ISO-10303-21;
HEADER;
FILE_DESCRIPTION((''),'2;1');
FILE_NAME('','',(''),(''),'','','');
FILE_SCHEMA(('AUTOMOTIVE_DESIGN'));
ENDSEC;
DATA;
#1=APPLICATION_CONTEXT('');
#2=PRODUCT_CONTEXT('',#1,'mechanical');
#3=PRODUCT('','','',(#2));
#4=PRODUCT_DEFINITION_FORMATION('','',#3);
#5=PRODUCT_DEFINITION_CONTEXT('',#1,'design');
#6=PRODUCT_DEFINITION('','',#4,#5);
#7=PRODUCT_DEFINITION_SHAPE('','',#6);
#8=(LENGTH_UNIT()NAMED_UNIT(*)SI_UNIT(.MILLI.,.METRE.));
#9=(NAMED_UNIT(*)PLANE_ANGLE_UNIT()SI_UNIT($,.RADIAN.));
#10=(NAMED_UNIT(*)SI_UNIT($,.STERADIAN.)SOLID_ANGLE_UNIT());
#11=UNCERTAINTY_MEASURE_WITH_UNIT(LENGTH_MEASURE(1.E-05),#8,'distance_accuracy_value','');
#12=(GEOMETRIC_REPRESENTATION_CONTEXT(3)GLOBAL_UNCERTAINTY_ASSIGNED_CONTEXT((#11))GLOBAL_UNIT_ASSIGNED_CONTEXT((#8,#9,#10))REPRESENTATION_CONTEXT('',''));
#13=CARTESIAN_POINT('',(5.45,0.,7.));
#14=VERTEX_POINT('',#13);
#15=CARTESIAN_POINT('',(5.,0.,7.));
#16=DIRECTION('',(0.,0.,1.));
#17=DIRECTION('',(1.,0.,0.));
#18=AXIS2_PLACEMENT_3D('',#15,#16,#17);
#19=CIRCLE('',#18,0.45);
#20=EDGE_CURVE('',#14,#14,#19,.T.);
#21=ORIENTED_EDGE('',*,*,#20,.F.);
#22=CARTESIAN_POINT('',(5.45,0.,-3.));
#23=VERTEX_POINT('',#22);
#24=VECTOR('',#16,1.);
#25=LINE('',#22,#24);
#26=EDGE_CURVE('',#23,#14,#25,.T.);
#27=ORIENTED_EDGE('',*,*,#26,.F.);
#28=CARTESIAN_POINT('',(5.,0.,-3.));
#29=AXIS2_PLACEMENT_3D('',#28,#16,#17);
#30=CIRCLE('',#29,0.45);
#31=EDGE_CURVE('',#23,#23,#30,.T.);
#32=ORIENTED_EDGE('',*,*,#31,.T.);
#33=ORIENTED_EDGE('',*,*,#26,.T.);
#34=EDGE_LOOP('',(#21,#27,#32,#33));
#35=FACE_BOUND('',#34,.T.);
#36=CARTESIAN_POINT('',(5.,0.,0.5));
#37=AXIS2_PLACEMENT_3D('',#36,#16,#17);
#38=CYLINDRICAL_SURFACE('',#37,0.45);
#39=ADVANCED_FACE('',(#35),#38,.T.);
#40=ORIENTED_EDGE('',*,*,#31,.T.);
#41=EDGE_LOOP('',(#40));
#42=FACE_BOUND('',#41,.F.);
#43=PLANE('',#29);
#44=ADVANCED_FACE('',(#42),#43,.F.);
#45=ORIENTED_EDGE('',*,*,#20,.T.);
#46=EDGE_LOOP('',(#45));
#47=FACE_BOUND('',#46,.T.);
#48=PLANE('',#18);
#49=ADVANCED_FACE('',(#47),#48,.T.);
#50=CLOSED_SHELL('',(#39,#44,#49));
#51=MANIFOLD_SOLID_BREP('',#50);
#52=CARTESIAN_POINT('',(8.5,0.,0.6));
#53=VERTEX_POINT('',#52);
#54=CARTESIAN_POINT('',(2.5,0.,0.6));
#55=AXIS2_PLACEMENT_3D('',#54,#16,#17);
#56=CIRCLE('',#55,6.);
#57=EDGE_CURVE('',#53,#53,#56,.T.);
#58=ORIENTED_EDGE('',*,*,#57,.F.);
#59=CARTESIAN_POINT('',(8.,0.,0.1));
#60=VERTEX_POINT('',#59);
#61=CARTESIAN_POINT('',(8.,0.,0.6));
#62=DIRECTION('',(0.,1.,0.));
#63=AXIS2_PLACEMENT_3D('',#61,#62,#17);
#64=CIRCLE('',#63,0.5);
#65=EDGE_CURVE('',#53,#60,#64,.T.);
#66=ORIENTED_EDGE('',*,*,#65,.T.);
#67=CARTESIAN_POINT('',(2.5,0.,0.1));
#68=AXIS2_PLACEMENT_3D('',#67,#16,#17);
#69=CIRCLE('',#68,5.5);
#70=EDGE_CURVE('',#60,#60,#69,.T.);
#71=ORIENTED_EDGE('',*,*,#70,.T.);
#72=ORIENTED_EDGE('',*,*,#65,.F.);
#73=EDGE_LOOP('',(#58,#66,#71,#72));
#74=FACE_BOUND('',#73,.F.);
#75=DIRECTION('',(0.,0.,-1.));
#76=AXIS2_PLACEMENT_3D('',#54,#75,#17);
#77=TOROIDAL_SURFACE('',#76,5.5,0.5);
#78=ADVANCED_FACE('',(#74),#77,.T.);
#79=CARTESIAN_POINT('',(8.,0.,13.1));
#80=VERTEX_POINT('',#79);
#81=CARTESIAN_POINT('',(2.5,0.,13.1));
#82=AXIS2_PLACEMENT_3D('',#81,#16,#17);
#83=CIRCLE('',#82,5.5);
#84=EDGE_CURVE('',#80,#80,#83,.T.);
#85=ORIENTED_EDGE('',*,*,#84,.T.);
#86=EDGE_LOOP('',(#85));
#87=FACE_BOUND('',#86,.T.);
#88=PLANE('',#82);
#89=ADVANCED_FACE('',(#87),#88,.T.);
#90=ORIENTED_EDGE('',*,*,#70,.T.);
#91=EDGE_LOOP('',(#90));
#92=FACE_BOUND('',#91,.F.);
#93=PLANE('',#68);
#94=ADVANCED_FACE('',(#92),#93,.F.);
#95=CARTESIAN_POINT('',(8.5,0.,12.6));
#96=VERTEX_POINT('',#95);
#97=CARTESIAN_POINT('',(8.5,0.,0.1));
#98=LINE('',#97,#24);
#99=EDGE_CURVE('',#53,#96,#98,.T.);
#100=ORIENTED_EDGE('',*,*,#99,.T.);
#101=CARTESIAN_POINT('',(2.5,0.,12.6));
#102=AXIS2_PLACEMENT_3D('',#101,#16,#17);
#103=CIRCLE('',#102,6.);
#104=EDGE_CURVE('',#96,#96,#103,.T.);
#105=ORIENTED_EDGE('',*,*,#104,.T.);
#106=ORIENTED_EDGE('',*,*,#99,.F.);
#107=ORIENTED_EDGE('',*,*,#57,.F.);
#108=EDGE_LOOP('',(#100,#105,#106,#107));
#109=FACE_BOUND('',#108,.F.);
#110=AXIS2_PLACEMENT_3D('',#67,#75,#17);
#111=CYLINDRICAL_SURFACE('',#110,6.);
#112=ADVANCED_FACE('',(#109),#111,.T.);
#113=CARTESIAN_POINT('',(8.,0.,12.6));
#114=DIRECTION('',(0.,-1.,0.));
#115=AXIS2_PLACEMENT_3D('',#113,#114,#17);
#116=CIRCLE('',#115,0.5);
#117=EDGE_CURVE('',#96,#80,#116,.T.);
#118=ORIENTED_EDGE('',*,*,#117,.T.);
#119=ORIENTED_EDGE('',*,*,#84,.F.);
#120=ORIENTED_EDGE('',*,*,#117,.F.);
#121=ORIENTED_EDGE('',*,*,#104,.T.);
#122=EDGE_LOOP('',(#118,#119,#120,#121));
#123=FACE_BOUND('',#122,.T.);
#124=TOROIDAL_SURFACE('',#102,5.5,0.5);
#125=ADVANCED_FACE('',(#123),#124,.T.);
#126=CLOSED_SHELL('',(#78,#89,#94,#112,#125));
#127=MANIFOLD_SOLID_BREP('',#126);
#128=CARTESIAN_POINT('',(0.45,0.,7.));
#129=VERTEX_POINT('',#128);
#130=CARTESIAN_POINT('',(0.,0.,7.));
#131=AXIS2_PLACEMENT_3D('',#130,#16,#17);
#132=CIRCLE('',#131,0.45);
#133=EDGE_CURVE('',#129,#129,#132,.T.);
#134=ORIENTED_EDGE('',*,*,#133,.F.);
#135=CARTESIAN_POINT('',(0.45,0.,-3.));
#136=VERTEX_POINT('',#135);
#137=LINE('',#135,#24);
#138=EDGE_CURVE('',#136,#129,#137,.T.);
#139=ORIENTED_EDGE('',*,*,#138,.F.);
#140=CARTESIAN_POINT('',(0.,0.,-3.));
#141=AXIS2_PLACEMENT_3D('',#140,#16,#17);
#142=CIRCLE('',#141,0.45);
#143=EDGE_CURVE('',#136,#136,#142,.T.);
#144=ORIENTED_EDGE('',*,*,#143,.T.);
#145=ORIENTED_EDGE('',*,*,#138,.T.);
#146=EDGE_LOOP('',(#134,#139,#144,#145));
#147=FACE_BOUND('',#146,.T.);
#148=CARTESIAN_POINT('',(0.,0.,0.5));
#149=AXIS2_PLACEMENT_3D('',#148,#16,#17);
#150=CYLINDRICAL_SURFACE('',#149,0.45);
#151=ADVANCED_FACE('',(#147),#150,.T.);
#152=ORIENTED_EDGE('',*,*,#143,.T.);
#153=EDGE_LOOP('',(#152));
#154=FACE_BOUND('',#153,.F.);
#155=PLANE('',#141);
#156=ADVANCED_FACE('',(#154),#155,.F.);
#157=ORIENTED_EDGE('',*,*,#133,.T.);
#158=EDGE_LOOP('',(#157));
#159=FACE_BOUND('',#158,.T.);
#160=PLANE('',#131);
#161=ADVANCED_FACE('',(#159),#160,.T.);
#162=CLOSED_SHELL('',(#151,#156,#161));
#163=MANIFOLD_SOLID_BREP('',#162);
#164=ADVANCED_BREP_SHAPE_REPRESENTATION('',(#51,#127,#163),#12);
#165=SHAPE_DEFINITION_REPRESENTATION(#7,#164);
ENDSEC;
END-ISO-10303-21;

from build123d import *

# Parameters (mm, degrees)
SKETCH001_R       = 0.45
PAD001_DEPTH      = 6.5
PAD001_DEPTH_BACK = 3.5
SKETCH_R          = 6
PAD_DEPTH         = 13
FILLET_R          = 0.5


with BuildPart() as pad001:
    # Sketch001 → Pad001 (new body, two sides)
    with BuildSketch(Plane.XY.offset(0.5)) as pad001_sk:
        Circle(SKETCH001_R)
        with Locations((5, 0)):
            Circle(SKETCH001_R)
    extrude(amount=PAD001_DEPTH)
    extrude(pad001_sk.sketch, amount=-PAD001_DEPTH_BACK)


with BuildPart() as fillet_body:
    # Sketch → Pad (new body)
    with BuildSketch(Plane.XY.offset(0.1)):
        with Locations((2.5, 0)):
            Circle(SKETCH_R)
    extrude(amount=PAD_DEPTH)

    # Fillet
    fillet_edges = [fillet_body.edges().sort_by_distance(p)[0] for p in [
        (-3.5, 0, 0.1),
        (-3.5, 0, 13.1),
    ]]
    fillet(fillet_edges, radius=FILLET_R)


solid = Compound([pad001.part, fillet_body.part])
